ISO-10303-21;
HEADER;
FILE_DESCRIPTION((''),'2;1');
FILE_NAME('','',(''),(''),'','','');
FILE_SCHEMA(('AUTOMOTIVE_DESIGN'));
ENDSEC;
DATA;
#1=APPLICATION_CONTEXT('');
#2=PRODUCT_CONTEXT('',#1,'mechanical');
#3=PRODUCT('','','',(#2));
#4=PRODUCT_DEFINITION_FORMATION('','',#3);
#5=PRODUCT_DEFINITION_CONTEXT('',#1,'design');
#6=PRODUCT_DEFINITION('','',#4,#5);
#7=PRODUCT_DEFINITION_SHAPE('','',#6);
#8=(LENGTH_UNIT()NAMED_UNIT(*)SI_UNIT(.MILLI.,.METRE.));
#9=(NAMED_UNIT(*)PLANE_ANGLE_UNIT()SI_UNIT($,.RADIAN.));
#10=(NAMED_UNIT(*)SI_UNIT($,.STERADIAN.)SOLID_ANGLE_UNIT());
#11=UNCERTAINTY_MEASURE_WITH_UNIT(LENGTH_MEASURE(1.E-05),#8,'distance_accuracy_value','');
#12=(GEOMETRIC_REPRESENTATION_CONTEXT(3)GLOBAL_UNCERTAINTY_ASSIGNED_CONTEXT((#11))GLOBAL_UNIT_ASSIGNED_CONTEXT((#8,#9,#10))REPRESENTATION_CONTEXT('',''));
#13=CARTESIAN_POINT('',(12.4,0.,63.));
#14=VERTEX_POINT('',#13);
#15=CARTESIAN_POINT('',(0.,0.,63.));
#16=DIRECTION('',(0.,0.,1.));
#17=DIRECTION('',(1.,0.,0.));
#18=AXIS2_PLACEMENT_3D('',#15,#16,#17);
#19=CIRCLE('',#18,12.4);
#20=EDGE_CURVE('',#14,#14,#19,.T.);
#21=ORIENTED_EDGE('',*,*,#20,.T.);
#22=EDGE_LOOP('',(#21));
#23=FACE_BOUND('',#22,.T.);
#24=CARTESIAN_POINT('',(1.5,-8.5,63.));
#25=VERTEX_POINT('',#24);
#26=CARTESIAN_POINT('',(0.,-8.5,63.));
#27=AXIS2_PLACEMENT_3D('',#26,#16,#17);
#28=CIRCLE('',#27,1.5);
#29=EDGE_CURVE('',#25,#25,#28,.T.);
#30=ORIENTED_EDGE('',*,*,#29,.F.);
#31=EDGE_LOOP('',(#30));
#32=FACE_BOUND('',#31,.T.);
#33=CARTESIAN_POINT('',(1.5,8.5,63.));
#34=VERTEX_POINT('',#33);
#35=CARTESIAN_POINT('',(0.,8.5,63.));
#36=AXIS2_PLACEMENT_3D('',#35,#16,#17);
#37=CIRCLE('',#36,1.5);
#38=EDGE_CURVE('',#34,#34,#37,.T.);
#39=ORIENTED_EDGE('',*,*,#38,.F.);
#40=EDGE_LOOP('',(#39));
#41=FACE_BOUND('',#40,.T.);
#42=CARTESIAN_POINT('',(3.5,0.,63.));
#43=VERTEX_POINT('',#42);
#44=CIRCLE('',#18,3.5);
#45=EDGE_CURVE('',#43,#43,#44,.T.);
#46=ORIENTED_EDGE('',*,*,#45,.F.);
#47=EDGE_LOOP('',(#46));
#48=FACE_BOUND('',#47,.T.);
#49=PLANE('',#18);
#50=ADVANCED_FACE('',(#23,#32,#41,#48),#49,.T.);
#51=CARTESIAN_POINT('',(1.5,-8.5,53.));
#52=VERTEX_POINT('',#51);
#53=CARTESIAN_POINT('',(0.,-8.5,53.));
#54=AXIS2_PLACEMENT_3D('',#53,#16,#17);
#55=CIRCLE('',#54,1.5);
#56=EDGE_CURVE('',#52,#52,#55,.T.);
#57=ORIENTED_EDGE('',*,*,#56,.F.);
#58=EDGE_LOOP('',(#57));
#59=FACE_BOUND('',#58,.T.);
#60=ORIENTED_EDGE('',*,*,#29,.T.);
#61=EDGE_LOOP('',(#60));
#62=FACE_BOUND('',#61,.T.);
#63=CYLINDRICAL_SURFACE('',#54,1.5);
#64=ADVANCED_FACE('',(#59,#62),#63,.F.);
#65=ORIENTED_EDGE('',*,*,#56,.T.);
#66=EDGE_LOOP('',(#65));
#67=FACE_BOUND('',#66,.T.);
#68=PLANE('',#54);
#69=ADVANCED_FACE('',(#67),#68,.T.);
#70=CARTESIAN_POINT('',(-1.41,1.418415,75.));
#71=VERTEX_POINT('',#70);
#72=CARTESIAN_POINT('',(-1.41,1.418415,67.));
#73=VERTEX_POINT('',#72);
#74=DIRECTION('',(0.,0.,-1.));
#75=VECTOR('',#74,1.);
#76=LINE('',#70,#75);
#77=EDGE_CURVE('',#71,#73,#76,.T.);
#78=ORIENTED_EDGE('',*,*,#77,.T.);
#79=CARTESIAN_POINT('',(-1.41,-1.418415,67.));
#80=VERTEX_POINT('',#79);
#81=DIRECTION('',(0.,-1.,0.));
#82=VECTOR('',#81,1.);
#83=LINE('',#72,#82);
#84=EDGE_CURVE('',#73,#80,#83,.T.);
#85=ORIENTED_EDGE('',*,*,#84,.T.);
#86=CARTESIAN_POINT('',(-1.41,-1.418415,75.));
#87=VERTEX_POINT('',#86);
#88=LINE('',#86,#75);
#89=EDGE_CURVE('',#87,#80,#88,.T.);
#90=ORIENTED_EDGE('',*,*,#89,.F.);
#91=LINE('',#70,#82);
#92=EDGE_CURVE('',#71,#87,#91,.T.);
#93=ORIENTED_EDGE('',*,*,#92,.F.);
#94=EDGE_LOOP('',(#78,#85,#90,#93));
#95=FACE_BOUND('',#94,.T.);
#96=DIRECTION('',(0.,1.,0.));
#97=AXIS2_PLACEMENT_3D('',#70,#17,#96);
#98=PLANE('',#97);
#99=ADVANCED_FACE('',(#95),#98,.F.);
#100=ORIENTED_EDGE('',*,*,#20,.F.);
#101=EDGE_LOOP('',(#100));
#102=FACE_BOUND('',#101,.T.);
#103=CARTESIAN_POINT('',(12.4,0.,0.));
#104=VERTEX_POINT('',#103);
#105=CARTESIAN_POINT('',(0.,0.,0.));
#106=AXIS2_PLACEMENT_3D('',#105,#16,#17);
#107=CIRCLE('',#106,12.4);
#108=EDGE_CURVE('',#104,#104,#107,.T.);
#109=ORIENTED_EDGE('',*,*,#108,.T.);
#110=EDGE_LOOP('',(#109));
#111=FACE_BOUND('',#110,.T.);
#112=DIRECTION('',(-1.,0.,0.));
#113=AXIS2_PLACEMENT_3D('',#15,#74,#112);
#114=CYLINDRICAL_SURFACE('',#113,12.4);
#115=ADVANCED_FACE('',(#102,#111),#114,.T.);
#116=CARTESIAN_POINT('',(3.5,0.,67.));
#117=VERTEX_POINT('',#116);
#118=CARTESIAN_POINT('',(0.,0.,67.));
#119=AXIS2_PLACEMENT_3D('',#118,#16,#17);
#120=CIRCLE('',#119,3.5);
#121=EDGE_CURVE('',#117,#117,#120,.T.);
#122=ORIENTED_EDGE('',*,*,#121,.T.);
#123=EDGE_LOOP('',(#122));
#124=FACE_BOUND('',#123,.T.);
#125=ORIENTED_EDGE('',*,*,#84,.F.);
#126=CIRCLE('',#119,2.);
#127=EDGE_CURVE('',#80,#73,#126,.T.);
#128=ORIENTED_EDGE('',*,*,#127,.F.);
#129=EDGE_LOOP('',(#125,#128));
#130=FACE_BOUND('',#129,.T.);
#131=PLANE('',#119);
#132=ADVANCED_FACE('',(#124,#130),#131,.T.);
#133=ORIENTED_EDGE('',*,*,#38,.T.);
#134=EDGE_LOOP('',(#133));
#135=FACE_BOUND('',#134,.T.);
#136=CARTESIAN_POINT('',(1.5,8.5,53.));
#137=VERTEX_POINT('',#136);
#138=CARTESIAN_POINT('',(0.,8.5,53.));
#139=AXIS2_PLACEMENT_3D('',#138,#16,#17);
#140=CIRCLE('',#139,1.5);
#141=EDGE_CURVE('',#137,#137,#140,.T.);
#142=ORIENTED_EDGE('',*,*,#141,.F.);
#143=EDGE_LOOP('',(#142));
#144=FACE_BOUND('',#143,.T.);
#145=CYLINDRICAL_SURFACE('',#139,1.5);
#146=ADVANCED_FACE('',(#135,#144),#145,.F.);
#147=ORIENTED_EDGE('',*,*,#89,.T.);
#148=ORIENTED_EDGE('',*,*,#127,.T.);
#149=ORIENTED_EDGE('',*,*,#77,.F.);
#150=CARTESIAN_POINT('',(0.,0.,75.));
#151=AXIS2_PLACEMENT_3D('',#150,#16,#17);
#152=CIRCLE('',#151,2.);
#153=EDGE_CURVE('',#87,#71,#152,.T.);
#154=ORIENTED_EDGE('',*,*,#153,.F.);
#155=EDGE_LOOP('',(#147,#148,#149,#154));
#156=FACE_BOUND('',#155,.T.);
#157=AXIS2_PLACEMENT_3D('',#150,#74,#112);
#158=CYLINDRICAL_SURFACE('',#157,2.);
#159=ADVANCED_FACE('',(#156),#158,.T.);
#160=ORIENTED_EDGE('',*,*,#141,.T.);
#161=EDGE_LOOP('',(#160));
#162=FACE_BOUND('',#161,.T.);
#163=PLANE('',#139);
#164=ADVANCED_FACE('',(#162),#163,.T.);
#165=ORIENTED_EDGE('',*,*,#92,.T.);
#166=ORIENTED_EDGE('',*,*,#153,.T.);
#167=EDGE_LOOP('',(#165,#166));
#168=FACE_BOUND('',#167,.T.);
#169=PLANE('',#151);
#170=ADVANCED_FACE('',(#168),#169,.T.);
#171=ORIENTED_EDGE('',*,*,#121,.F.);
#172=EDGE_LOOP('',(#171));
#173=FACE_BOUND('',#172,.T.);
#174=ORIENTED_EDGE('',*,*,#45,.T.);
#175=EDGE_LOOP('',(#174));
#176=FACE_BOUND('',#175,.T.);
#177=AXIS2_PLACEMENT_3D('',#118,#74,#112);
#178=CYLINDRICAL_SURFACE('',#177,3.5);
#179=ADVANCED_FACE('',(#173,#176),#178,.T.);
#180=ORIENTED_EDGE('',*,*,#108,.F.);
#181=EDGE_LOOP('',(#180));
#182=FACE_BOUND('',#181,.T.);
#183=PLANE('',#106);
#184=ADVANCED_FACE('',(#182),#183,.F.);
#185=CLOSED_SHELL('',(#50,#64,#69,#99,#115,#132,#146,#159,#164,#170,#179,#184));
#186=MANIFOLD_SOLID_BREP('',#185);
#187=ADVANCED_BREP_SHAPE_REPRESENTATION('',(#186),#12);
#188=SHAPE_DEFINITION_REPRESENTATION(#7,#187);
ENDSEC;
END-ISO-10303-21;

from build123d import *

# Parameters (mm, degrees)
SKETCH_1_R          = 12.4
EXTRUDE_1_DEPTH     = 63
SKETCH_2_R          = 3.5
EXTRUDE_2_DEPTH     = 4
EXTRUDE_3_DEPTH     = 8
SKETCH_4_R          = 1.5
CUT_EXTRUDE_1_DEPTH = 10


with BuildPart() as part:
    # 草图1 → 凸台-拉伸1 (new body)
    with BuildSketch(Plane.XY):
        Circle(SKETCH_1_R)
    extrude(amount=EXTRUDE_1_DEPTH)

    # 草图2 → 凸台-拉伸2 (add)
    with BuildSketch(Plane.XY.offset(63)):
        Circle(SKETCH_2_R)
    extrude(amount=EXTRUDE_2_DEPTH)

    # 草图3 → 凸台-拉伸3 (add)
    with BuildSketch(Plane.XY.offset(67)):
        with BuildLine():
            Line((-1.41, 1.418414608), (-1.41, -1.418414608))
            ThreePointArc((-1.41, -1.418414608), (2, 0), (-1.41, 1.418414608))
        make_face()
    extrude(amount=EXTRUDE_3_DEPTH)

    # 草图4 → 切除-拉伸1 (cut)
    with BuildSketch(Plane.XY.offset(63)):
        with Locations((0, -8.5)):
            Circle(SKETCH_4_R)
        with Locations((0, 8.5)):
            Circle(SKETCH_4_R)
    extrude(amount=-CUT_EXTRUDE_1_DEPTH, mode=Mode.SUBTRACT)


solid = part.part
